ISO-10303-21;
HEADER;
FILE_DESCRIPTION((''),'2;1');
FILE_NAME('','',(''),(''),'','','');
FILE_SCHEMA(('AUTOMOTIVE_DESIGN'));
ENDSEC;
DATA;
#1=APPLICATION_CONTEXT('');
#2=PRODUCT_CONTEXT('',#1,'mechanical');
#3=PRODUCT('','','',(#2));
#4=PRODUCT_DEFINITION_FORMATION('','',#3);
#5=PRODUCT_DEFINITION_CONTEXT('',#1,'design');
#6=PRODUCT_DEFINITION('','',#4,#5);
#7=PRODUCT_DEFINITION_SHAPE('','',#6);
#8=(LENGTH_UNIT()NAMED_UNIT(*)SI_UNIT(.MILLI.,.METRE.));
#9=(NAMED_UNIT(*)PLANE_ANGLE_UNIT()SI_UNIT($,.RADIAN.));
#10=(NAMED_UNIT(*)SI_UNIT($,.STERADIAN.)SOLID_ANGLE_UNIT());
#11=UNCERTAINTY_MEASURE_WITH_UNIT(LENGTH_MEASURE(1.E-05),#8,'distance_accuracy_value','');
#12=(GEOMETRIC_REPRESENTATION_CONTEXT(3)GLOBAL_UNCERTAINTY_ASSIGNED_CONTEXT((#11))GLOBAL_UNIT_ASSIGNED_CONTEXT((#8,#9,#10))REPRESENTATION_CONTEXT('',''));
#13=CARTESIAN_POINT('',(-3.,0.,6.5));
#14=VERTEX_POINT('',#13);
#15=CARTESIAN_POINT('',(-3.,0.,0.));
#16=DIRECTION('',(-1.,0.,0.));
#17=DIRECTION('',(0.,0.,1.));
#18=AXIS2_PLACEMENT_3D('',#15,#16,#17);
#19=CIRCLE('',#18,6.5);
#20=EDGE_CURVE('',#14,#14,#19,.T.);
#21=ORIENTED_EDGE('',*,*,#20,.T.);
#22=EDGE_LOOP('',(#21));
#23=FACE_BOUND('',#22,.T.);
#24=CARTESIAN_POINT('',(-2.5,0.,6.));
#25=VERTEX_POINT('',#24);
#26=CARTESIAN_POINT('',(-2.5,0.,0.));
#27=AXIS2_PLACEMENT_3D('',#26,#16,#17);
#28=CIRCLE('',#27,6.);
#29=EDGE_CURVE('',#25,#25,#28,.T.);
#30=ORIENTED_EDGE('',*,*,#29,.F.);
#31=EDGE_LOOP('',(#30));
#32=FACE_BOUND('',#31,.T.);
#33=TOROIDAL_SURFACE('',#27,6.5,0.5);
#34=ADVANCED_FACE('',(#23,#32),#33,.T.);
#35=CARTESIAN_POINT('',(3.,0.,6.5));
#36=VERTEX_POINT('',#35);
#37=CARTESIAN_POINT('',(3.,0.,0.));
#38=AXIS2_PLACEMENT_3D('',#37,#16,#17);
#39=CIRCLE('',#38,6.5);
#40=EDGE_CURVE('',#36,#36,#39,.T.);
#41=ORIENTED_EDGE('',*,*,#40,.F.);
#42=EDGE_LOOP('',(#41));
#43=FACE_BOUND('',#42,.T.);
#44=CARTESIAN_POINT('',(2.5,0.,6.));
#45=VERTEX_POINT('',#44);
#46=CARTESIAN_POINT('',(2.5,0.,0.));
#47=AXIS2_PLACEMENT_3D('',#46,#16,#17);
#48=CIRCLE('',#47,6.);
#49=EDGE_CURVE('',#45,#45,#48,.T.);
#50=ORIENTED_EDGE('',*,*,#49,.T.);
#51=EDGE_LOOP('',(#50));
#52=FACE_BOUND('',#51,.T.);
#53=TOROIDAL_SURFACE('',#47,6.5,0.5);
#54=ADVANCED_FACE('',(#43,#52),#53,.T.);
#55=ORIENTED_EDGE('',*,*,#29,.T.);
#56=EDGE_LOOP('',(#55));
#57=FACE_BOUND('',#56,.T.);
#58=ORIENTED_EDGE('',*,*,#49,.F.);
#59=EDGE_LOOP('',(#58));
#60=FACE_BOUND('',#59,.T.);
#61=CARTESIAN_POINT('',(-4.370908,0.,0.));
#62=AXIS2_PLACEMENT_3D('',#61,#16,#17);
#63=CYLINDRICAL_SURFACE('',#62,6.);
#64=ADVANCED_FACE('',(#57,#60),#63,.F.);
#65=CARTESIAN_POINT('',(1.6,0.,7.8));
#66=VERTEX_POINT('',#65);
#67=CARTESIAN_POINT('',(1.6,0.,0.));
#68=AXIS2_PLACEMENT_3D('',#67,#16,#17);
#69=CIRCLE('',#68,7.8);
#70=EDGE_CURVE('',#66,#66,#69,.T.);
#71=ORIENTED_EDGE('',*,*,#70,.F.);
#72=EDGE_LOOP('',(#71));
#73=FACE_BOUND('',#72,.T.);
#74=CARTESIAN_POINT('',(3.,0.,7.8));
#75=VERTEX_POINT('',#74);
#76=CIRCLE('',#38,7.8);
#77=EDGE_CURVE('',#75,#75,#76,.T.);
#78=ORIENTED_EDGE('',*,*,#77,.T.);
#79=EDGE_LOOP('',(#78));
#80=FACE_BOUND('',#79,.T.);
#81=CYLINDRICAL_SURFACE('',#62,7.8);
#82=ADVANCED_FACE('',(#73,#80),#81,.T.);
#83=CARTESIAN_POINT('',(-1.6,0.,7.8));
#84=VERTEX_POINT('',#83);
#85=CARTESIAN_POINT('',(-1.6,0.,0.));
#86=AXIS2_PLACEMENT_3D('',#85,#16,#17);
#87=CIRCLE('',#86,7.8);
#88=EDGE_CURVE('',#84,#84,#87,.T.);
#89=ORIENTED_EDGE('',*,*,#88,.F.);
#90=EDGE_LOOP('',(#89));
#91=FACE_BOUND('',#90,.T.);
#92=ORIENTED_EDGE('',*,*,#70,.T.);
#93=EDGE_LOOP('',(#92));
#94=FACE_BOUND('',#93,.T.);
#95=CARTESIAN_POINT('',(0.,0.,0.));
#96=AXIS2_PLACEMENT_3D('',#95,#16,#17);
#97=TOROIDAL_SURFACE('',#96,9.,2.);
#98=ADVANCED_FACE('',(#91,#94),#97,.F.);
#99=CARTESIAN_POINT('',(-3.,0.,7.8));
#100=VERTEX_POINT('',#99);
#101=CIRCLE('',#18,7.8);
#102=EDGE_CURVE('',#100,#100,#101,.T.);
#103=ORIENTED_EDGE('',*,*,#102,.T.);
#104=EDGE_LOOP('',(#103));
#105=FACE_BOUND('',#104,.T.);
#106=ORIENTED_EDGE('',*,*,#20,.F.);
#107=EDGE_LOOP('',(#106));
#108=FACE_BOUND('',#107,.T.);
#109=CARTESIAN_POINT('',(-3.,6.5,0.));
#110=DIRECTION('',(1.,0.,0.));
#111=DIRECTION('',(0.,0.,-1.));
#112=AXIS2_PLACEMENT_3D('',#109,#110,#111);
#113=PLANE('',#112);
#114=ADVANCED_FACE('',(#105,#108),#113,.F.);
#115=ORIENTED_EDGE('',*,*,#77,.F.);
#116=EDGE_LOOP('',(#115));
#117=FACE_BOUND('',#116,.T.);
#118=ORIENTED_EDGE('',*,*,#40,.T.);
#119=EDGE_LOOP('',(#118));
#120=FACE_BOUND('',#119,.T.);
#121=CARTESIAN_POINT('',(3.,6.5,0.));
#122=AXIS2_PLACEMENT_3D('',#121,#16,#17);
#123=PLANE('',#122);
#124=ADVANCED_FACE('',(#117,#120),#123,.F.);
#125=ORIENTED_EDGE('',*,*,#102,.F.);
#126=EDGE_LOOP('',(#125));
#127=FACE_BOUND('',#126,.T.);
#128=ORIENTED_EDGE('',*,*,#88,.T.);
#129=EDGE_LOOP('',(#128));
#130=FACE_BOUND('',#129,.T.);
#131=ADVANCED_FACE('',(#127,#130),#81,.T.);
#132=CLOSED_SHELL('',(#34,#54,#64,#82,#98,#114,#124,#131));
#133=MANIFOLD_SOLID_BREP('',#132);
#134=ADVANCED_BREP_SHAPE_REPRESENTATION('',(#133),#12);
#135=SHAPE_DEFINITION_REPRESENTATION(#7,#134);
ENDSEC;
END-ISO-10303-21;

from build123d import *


with BuildPart() as part:
    # Esquisse1 → Base-Révolution (revolve)
    with BuildSketch(Plane.XY, mode=Mode.PRIVATE) as base_r_volution_sk:
        with BuildLine():
            Line((3, 6.5), (3, 7.8))
            Line((3, 7.8), (1.6, 7.8))
            ThreePointArc((1.6, 7.8), (0, 7), (-1.6, 7.8))
            Line((-1.6, 7.8), (-3, 7.8))
            Line((-3, 7.8), (-3, 6.5))
            ThreePointArc((-3, 6.5), (-2.853553391, 6.146446609), (-2.5, 6))
            Line((-2.5, 6), (2.5, 6))
            ThreePointArc((2.5, 6), (2.853553391, 6.146446609), (3, 6.5))
        make_face()
    revolve(base_r_volution_sk.sketch.rotate(Axis((-4.370908092, 0, 0), (1, 0, 0)), 90), axis=Axis((-4.370908092, 0, 0), (1, 0, 0)))


solid = part.part
